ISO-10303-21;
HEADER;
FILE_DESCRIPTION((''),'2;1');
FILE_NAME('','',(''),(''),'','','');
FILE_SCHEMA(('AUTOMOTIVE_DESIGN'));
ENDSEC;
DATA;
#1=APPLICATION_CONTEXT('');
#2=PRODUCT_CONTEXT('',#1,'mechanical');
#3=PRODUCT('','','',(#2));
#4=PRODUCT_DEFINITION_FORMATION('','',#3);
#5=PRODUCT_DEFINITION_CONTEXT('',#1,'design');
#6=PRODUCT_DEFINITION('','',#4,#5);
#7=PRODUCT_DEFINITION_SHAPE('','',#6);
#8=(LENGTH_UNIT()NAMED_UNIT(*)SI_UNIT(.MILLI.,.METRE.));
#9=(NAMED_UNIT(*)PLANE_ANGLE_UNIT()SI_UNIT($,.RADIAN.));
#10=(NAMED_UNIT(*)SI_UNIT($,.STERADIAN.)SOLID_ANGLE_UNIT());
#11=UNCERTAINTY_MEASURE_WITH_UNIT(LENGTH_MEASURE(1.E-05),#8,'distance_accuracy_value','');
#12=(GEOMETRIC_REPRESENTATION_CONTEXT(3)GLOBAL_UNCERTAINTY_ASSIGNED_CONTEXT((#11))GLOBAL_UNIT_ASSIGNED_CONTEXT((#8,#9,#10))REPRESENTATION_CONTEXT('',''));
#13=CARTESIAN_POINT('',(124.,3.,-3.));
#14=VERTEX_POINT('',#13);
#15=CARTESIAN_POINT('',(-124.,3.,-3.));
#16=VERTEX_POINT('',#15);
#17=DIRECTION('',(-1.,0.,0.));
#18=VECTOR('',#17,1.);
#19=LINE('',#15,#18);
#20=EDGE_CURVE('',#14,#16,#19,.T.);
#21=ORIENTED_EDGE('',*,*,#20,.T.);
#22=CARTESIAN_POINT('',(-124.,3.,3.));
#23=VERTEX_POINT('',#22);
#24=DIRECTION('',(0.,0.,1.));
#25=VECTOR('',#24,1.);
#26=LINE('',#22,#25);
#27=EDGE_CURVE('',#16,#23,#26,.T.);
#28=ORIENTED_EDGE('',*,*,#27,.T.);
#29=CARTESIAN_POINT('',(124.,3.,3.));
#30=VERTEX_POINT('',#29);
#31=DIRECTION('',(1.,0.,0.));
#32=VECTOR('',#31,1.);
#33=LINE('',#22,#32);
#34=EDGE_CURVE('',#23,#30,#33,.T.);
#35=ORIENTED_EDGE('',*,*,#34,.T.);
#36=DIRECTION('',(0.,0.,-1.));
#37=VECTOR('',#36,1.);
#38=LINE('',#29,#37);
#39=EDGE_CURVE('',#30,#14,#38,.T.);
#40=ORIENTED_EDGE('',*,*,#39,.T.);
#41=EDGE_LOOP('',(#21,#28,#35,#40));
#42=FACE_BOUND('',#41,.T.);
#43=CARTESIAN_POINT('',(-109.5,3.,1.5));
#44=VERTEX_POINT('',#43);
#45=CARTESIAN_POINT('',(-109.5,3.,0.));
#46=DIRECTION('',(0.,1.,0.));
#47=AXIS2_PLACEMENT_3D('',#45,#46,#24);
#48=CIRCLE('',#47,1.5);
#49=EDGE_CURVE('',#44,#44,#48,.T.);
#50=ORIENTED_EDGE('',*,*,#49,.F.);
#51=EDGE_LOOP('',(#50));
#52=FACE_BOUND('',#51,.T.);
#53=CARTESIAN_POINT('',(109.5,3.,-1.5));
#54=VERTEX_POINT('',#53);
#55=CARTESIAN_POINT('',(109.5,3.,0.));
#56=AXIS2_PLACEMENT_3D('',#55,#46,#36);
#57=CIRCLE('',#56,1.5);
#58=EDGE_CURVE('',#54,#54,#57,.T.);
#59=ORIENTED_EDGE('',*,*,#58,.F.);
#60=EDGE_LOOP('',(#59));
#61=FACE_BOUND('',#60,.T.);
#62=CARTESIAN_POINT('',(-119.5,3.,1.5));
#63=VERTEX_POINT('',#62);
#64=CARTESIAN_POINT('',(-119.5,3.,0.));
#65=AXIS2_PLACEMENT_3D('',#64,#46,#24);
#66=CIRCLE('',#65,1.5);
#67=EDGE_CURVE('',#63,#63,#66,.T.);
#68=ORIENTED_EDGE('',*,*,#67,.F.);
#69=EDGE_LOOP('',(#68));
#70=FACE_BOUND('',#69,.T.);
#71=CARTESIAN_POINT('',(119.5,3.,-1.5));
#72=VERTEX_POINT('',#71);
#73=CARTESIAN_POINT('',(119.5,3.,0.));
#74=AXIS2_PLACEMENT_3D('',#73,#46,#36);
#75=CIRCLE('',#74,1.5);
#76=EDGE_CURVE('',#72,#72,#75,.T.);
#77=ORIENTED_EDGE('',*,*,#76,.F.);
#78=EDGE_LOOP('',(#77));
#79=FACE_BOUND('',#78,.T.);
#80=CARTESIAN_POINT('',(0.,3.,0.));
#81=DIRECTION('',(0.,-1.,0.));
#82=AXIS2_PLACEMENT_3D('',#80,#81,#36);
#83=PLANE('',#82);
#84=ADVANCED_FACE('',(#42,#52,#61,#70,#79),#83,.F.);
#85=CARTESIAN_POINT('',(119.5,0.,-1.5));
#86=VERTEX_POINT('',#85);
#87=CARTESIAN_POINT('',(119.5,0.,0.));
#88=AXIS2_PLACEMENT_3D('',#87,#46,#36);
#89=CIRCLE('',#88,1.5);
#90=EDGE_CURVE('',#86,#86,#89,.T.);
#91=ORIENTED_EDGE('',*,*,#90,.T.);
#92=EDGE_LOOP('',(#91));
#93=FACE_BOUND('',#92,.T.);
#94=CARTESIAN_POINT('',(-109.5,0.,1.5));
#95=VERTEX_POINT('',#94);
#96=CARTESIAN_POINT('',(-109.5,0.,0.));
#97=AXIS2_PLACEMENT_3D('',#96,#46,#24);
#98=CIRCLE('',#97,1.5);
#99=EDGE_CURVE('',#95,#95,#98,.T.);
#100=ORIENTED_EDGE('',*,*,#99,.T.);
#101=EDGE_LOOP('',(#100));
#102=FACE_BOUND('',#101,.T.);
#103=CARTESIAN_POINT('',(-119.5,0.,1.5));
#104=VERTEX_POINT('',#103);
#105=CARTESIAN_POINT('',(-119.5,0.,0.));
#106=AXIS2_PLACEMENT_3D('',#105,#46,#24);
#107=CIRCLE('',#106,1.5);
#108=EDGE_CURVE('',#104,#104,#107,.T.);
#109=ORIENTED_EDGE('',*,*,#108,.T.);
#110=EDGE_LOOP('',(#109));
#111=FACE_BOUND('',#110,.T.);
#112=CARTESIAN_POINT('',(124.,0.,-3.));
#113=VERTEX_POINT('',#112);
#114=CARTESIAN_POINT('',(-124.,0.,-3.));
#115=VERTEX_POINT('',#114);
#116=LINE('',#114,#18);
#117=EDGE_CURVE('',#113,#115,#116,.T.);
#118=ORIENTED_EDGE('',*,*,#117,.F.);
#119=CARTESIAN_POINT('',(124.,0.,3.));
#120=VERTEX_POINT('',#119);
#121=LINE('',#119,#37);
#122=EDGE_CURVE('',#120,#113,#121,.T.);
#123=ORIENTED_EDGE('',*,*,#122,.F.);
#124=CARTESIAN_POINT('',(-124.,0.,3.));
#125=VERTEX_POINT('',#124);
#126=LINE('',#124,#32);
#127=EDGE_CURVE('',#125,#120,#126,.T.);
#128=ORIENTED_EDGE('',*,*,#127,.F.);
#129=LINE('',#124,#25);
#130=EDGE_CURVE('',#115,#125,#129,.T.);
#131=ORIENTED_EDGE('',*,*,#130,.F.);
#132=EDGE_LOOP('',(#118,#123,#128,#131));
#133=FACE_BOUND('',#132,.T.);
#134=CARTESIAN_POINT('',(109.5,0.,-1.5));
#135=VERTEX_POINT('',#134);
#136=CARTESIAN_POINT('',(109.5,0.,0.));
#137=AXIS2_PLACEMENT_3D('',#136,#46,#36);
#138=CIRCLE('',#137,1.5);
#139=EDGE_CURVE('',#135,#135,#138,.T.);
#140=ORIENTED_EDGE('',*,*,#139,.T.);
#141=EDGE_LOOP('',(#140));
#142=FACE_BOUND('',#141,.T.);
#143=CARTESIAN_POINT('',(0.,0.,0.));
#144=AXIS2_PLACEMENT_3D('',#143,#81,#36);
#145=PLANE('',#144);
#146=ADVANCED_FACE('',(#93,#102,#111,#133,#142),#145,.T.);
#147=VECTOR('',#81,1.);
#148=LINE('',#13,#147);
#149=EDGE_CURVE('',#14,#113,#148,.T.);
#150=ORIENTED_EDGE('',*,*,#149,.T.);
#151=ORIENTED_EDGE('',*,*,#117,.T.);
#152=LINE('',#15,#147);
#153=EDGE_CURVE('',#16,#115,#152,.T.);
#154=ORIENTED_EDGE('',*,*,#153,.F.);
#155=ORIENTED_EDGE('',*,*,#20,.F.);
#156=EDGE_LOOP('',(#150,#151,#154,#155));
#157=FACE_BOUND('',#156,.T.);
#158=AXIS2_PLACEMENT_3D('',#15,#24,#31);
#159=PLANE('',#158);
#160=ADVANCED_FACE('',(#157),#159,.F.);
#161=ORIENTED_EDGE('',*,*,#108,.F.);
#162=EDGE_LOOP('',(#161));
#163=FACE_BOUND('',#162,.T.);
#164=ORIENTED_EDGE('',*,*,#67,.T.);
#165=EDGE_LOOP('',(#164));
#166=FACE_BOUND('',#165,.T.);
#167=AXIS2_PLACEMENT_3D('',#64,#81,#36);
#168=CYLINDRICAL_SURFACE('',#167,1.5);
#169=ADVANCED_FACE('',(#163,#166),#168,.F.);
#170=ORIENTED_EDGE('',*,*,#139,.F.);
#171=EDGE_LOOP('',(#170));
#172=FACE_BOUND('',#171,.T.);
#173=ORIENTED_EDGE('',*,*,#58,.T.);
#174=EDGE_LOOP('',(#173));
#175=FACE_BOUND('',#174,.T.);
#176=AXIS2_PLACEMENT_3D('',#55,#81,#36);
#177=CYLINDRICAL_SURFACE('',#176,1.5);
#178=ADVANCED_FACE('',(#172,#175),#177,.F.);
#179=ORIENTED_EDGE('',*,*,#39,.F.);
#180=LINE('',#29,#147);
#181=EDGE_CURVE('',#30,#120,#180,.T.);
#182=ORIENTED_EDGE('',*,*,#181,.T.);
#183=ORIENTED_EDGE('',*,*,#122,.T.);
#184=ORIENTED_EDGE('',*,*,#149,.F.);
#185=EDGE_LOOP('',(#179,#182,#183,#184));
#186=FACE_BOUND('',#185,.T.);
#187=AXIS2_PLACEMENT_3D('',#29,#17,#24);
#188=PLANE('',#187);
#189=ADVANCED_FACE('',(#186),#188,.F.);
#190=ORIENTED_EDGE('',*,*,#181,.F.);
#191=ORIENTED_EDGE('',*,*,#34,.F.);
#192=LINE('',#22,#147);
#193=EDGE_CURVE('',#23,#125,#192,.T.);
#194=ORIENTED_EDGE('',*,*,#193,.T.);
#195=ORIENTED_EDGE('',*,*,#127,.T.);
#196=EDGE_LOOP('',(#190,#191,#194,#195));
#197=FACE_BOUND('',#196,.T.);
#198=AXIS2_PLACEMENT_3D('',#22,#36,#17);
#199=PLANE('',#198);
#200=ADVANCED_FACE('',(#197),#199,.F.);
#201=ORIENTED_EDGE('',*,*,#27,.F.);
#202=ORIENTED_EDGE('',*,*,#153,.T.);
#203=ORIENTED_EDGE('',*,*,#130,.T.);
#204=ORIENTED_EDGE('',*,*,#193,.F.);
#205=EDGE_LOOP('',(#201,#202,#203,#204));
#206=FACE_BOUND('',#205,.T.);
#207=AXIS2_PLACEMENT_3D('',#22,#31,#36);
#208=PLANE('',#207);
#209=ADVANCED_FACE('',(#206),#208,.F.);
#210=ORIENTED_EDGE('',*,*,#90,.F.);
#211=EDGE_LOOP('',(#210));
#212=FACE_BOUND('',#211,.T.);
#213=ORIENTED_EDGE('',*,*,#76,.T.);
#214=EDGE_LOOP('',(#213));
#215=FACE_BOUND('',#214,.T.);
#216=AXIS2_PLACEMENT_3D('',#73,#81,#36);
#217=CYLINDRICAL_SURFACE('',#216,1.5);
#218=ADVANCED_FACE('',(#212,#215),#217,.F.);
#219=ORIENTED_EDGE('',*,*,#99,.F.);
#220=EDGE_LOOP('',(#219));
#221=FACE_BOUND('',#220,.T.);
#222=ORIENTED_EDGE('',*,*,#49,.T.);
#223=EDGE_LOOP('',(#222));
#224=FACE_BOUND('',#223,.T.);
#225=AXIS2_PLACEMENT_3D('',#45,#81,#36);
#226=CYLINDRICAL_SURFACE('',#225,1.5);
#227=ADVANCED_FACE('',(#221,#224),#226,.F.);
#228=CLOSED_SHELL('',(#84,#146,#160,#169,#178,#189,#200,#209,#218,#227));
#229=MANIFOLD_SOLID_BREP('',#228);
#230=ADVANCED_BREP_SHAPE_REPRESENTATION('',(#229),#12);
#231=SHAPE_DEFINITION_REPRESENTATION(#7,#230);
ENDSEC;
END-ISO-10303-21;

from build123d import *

# Parameters (mm, degrees)
SKETCH1_W           = 248
SKETCH1_H           = 6
SKETCH1_R           = 1.5
BOSS_EXTRUDE1_DEPTH = 3


with BuildPart() as part:
    # Sketch1 → Boss-Extrude1 (new body)
    with BuildSketch(Plane(origin=(0, 0, 0), x_dir=(1, 0, 0), z_dir=(0, 1, 0))):
        Rectangle(SKETCH1_W, SKETCH1_H)
        with Locations(Location((-119.5, 0, 0), (0, 0, 270))):
            Circle(SKETCH1_R, mode=Mode.SUBTRACT)
        with Locations(Location((119.5, 0, 0), (0, 0, 90))):
            Circle(SKETCH1_R, mode=Mode.SUBTRACT)
        with Locations(Location((-109.5, 0, 0), (0, 0, 270))):
            Circle(SKETCH1_R, mode=Mode.SUBTRACT)
        with Locations(Location((109.5, 0, 0), (0, 0, 90))):
            Circle(SKETCH1_R, mode=Mode.SUBTRACT)
    extrude(amount=BOSS_EXTRUDE1_DEPTH)


solid = part.part
